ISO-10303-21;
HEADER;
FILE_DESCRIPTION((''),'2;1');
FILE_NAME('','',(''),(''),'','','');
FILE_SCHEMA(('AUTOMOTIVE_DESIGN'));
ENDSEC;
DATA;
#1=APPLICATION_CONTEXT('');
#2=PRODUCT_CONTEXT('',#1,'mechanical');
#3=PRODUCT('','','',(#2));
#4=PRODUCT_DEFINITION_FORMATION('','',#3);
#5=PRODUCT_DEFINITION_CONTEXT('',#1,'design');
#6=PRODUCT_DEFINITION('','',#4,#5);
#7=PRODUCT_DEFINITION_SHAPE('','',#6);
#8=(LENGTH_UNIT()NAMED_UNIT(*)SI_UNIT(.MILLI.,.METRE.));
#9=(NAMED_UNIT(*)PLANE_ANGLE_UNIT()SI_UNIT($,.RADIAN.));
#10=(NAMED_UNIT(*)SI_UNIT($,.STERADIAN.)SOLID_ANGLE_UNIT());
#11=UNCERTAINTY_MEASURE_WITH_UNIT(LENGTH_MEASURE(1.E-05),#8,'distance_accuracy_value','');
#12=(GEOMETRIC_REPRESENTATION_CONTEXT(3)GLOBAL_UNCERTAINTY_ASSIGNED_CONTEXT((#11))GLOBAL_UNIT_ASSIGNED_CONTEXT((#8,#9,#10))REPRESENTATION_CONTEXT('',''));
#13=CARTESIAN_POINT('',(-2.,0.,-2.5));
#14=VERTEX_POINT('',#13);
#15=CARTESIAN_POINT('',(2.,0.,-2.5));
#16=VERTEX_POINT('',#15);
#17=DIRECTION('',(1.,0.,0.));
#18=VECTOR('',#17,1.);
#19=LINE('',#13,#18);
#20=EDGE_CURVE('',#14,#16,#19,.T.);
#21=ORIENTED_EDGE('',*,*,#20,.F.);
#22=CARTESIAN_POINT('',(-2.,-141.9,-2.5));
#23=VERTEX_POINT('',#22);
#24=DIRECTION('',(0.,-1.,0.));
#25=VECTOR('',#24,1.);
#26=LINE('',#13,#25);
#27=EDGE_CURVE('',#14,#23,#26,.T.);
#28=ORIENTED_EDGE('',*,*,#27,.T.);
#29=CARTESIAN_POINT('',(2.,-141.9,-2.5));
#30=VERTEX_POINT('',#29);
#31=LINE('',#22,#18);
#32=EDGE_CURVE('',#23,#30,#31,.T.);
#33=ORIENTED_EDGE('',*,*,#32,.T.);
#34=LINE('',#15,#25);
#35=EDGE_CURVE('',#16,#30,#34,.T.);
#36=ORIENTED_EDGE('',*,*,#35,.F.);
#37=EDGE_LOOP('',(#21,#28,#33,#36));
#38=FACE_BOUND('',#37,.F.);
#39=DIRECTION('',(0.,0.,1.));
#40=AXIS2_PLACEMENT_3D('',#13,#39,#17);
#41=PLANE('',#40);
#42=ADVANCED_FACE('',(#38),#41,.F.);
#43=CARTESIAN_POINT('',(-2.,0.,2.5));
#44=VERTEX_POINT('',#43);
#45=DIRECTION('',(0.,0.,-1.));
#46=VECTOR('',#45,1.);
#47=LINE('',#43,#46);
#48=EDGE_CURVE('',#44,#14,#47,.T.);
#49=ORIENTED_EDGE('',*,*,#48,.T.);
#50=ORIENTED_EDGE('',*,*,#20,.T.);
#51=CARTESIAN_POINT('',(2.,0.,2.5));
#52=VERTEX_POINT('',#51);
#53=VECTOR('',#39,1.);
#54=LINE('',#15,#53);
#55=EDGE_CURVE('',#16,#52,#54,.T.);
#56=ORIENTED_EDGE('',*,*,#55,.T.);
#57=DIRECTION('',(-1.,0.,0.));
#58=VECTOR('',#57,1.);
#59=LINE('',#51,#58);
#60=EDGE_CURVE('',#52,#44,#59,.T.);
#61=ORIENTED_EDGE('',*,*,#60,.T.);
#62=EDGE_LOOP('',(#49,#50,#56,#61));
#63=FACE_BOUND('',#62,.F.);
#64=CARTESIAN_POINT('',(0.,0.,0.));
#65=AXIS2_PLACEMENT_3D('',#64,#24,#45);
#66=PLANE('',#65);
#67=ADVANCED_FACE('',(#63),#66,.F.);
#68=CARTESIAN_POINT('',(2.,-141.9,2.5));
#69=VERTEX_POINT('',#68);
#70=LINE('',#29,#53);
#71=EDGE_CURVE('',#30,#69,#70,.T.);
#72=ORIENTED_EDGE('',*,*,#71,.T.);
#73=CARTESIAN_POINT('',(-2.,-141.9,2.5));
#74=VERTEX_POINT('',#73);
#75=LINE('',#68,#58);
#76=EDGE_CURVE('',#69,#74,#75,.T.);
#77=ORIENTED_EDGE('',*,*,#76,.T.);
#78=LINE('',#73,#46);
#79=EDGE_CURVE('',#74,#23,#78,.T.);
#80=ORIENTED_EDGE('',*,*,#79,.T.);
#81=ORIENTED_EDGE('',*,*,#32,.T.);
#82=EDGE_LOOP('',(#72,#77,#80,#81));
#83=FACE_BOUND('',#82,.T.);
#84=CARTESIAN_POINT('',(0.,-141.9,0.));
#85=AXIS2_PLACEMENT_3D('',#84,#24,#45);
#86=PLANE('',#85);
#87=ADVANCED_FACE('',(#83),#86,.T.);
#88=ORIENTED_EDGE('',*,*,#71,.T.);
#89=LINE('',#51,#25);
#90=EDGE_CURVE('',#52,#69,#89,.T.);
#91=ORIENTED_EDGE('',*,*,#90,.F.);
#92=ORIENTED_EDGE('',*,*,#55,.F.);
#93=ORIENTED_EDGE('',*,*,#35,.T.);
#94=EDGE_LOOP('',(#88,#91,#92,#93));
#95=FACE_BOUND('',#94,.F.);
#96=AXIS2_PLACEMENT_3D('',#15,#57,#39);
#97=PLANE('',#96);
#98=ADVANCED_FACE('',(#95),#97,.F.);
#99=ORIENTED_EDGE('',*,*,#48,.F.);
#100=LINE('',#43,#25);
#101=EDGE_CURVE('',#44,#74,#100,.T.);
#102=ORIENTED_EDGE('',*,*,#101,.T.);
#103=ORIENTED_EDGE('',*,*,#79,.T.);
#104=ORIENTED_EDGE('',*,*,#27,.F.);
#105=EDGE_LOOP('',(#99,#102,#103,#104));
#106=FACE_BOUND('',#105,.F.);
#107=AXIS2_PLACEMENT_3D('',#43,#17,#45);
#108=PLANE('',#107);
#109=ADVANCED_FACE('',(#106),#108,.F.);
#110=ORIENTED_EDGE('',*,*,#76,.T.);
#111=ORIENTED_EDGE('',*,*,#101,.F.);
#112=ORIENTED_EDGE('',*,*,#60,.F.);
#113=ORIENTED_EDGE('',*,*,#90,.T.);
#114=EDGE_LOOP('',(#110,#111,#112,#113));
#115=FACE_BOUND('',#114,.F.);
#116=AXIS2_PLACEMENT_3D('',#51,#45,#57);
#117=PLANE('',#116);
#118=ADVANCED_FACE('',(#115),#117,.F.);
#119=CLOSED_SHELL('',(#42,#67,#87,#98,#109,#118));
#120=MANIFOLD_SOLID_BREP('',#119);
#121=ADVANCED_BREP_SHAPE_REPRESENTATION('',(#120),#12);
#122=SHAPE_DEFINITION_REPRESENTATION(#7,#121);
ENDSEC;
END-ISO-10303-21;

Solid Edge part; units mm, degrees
sketch "Sketch1" plane through (0, 0, 0) normal (0, -1, 0) x (1, 0, 0)
  line L0 (2, -2.5) -> (2, 2.5)
  line L1 (2, 2.5) -> (-2, 2.5)
  line L2 (-2, 2.5) -> (-2, -2.5)
  line L3 (-2, -2.5) -> (2, -2.5)
extrude "Protrusion1" add sketch "Sketch1" along normal blind 141.9
properties material "Graphite"
